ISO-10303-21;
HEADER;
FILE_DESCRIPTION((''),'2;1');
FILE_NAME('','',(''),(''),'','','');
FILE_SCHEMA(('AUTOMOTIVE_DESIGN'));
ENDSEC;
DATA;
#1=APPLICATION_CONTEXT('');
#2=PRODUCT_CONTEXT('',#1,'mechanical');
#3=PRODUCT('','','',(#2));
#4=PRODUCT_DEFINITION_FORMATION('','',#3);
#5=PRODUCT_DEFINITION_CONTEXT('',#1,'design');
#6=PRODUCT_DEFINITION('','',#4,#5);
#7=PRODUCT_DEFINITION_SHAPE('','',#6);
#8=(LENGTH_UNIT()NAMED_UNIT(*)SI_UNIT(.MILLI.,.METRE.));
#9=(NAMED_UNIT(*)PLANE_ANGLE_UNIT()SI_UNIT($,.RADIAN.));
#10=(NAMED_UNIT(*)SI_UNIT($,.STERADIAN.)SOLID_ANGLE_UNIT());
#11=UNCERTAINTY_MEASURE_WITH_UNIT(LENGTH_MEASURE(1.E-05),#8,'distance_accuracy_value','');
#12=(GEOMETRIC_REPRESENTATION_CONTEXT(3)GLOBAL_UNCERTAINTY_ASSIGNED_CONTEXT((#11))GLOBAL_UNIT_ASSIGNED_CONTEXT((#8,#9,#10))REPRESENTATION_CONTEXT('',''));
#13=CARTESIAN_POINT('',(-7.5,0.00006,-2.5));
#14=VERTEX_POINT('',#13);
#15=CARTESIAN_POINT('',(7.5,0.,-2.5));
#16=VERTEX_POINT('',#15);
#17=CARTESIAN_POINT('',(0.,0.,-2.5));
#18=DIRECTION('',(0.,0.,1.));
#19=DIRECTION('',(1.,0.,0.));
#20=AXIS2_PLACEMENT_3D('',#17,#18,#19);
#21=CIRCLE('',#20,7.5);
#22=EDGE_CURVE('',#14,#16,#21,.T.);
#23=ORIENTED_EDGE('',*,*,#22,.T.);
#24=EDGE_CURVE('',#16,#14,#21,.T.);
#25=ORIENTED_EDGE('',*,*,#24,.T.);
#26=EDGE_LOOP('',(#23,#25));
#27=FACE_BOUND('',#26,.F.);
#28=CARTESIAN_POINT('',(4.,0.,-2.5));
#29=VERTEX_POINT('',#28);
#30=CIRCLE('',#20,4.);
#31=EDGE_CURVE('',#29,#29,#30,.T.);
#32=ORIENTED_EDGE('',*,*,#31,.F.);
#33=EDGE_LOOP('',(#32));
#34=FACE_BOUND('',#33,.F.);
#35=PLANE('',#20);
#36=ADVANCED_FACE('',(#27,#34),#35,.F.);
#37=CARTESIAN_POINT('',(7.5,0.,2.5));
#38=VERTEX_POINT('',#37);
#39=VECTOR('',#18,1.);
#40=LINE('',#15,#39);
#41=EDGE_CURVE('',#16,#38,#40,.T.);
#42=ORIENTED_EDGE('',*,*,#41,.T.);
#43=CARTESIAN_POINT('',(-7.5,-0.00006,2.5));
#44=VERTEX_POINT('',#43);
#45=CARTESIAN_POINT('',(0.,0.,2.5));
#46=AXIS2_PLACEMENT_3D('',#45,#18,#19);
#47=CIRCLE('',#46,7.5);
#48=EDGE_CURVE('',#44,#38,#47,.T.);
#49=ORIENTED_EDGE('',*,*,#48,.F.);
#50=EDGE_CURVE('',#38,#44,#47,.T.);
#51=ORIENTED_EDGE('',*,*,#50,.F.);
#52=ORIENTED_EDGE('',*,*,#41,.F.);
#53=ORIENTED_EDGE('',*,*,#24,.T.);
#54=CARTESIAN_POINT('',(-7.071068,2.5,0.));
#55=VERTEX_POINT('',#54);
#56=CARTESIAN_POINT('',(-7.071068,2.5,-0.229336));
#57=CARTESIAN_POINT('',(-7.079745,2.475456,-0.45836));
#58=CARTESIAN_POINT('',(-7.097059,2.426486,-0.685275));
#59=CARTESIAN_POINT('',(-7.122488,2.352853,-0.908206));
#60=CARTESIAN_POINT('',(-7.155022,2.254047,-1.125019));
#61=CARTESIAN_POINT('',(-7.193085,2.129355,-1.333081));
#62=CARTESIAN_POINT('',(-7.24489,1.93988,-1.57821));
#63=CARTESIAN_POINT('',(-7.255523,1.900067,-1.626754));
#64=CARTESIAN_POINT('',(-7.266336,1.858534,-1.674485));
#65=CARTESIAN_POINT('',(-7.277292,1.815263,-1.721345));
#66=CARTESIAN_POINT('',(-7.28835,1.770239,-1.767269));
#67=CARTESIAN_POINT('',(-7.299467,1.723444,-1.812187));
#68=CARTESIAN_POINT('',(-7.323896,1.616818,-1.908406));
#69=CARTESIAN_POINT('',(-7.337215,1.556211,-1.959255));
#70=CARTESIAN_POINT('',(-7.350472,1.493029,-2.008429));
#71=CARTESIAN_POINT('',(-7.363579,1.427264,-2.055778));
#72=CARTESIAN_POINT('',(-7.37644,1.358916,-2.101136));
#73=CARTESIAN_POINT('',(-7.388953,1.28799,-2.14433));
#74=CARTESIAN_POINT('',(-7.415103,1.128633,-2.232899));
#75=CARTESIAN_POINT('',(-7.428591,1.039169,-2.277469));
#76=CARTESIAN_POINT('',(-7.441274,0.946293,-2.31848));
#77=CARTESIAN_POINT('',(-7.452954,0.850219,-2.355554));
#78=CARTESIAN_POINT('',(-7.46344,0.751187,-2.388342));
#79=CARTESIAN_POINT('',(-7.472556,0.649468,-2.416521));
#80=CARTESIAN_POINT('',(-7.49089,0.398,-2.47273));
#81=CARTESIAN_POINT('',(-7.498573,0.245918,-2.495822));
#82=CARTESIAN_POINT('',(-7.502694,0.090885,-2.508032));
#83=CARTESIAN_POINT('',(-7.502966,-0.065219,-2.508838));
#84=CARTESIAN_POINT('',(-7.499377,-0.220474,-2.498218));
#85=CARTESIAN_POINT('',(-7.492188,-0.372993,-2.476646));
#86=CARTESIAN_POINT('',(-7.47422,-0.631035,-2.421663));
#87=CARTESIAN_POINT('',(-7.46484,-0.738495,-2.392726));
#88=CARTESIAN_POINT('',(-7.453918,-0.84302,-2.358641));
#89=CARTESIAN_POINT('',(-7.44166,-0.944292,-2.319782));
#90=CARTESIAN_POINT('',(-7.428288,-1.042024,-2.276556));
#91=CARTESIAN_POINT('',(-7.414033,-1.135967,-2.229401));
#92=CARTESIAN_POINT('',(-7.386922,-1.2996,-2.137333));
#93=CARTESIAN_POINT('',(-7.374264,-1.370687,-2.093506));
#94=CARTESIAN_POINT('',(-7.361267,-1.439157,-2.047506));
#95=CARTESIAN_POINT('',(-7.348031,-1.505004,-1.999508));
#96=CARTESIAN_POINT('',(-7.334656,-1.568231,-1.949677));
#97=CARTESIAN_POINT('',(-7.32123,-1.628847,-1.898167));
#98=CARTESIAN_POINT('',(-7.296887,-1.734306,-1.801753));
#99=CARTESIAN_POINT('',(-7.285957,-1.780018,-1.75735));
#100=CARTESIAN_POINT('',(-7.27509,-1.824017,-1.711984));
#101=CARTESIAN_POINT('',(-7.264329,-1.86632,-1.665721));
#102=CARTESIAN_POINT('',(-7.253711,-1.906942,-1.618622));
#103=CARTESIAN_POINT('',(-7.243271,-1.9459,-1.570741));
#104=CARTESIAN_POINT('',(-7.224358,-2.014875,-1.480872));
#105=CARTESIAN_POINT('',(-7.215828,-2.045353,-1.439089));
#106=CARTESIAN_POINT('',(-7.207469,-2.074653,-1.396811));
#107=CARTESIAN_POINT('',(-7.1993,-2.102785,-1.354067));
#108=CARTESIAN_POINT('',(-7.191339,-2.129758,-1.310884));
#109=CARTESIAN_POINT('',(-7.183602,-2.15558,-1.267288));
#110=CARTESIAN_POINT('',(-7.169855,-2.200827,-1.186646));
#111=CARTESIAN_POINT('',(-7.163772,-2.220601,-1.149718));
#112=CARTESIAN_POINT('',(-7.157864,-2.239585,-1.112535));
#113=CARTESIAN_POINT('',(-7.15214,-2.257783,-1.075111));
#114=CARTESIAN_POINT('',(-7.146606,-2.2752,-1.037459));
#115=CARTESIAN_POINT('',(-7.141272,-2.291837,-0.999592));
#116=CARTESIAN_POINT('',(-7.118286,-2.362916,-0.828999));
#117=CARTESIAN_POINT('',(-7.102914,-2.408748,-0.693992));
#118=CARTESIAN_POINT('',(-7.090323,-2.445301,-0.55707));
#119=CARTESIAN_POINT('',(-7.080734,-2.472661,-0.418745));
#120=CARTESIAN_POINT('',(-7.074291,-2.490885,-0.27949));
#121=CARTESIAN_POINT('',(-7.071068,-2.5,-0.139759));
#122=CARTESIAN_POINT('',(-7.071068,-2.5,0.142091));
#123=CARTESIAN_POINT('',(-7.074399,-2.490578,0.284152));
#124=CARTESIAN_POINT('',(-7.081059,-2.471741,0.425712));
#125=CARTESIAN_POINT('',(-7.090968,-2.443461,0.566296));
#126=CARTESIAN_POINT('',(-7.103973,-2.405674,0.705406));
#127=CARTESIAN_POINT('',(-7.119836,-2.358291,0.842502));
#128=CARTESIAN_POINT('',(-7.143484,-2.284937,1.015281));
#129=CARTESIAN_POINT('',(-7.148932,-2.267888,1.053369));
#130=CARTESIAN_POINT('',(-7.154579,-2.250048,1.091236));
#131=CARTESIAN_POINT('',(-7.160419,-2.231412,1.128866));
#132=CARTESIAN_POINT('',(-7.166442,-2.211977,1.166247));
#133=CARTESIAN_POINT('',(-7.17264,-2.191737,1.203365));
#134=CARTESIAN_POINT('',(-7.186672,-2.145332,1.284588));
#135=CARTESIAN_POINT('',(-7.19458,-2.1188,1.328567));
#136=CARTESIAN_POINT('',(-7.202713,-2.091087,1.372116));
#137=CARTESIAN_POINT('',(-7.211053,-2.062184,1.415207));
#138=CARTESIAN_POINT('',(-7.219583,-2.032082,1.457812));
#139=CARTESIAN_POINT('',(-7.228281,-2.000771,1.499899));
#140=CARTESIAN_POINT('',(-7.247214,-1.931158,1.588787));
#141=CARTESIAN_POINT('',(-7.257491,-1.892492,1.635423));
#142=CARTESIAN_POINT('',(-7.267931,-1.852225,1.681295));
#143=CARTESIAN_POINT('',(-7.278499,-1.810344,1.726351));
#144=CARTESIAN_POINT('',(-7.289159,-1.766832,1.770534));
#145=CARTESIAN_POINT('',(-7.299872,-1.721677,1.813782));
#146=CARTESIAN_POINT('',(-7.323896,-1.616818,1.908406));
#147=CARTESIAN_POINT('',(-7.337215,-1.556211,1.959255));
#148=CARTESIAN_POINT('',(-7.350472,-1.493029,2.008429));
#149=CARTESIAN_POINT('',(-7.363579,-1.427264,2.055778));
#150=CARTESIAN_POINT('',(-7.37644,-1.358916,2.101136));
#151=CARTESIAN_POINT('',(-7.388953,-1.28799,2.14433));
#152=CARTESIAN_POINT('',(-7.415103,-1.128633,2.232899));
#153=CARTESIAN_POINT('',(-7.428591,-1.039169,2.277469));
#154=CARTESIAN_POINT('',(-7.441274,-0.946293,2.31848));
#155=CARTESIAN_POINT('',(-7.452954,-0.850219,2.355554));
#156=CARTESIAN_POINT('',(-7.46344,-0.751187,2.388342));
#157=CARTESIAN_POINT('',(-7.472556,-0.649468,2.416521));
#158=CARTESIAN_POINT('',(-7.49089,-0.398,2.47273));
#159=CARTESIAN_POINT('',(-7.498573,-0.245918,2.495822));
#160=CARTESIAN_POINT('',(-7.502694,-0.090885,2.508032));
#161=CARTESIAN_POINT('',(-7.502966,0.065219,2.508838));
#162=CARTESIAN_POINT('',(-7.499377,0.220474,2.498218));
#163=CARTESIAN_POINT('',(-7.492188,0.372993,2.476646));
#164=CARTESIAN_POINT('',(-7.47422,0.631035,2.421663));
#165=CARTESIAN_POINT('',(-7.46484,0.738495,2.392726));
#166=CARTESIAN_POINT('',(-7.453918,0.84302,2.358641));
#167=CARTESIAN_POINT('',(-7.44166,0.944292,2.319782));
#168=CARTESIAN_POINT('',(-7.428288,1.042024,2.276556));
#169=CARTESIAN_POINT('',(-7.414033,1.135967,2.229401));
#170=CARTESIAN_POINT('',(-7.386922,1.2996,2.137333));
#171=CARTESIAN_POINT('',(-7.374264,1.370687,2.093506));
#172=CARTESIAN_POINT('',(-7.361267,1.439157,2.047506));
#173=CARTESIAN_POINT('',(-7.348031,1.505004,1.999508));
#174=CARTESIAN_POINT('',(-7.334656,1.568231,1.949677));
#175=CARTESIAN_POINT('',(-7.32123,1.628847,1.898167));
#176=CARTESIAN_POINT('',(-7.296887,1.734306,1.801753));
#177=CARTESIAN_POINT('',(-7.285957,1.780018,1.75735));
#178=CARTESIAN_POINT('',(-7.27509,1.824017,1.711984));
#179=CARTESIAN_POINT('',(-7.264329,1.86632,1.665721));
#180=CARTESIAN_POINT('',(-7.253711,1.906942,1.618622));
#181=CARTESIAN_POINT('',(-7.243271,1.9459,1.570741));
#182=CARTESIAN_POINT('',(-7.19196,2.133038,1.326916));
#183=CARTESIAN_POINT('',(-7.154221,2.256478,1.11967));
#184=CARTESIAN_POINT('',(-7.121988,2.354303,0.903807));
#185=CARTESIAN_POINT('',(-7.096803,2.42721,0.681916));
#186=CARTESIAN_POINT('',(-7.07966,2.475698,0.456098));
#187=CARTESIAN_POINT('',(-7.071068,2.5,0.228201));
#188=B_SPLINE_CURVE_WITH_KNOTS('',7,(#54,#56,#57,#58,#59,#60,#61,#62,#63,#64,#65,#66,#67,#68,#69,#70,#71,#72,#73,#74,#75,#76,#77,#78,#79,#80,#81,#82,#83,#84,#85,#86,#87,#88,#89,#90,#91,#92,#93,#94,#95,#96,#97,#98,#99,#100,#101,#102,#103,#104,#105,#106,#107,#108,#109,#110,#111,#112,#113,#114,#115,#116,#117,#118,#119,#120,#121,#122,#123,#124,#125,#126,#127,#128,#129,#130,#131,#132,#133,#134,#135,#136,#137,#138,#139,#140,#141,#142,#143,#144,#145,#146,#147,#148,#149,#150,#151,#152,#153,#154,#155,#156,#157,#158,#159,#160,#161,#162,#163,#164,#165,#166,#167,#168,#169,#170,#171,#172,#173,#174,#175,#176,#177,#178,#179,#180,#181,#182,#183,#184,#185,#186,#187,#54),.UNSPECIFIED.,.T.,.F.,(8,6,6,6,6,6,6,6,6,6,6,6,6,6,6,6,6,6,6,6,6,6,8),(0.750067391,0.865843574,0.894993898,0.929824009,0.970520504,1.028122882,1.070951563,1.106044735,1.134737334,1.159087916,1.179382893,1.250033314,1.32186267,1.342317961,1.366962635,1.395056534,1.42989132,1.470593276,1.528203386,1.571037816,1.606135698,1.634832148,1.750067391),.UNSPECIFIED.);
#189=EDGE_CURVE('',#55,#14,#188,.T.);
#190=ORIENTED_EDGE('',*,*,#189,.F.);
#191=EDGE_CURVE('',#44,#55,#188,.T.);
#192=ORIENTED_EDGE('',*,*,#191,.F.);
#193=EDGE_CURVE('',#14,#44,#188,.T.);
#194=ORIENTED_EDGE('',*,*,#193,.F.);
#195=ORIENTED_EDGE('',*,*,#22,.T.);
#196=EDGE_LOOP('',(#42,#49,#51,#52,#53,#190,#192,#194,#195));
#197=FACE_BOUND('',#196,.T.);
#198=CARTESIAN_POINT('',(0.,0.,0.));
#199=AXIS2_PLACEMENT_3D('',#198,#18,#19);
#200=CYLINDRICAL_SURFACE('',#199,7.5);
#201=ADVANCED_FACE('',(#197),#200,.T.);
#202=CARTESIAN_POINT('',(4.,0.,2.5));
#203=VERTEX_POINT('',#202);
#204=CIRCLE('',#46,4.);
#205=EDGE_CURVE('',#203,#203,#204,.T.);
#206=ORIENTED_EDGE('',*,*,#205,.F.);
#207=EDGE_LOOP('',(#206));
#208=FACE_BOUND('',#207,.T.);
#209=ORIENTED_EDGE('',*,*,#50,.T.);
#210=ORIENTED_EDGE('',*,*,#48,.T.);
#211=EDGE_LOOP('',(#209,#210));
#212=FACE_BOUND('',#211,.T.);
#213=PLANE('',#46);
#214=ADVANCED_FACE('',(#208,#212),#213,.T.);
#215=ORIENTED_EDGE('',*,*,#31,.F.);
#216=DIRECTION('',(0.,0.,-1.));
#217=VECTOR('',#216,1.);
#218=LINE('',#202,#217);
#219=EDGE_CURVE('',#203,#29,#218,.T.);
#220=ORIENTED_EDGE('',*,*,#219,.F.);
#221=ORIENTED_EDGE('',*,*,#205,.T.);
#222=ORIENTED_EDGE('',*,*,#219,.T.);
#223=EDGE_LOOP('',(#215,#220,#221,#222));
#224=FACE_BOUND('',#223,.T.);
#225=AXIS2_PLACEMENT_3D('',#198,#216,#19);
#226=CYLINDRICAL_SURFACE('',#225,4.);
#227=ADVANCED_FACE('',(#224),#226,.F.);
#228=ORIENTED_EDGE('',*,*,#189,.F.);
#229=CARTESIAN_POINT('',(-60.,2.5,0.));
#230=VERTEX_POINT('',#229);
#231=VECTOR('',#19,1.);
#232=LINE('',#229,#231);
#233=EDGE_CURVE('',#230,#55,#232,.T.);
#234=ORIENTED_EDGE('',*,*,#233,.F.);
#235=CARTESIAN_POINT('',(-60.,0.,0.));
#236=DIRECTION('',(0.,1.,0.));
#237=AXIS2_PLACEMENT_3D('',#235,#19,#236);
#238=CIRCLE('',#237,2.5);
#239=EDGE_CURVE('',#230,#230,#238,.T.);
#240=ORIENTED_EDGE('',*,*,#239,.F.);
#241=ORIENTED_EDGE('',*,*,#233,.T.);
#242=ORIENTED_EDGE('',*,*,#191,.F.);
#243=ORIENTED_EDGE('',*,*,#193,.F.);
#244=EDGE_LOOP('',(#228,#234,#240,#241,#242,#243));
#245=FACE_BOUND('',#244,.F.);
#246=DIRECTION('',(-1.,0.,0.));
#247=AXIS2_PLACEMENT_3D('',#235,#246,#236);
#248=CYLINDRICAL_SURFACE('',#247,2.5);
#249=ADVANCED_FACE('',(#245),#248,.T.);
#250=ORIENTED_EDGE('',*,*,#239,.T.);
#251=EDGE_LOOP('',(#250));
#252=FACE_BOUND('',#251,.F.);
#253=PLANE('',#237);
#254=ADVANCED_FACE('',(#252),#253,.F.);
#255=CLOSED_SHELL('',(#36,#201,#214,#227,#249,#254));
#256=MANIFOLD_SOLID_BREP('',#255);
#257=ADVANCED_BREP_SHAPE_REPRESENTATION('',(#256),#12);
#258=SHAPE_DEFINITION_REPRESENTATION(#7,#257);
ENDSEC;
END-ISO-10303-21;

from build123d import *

# Parameters (mm, degrees)
F0_R     = 7.5
F0_R_2   = 4
F1_DEPTH = 2.5
F3_R     = 2.5


with BuildPart() as f1:
    # F0 (on Top) → F1 (new body, symmetric)
    with BuildSketch(Plane.XY):
        Circle(F0_R)
        Circle(F0_R_2, mode=Mode.SUBTRACT)
    extrude(amount=F1_DEPTH, both=True)

    # F3 (on offset) → F4 (join, up to the next surface of F1)
    with BuildSketch(Plane.YZ.offset(-60)):
        Circle(F3_R)
    extrude(until=Until.NEXT)


solid = f1.part
